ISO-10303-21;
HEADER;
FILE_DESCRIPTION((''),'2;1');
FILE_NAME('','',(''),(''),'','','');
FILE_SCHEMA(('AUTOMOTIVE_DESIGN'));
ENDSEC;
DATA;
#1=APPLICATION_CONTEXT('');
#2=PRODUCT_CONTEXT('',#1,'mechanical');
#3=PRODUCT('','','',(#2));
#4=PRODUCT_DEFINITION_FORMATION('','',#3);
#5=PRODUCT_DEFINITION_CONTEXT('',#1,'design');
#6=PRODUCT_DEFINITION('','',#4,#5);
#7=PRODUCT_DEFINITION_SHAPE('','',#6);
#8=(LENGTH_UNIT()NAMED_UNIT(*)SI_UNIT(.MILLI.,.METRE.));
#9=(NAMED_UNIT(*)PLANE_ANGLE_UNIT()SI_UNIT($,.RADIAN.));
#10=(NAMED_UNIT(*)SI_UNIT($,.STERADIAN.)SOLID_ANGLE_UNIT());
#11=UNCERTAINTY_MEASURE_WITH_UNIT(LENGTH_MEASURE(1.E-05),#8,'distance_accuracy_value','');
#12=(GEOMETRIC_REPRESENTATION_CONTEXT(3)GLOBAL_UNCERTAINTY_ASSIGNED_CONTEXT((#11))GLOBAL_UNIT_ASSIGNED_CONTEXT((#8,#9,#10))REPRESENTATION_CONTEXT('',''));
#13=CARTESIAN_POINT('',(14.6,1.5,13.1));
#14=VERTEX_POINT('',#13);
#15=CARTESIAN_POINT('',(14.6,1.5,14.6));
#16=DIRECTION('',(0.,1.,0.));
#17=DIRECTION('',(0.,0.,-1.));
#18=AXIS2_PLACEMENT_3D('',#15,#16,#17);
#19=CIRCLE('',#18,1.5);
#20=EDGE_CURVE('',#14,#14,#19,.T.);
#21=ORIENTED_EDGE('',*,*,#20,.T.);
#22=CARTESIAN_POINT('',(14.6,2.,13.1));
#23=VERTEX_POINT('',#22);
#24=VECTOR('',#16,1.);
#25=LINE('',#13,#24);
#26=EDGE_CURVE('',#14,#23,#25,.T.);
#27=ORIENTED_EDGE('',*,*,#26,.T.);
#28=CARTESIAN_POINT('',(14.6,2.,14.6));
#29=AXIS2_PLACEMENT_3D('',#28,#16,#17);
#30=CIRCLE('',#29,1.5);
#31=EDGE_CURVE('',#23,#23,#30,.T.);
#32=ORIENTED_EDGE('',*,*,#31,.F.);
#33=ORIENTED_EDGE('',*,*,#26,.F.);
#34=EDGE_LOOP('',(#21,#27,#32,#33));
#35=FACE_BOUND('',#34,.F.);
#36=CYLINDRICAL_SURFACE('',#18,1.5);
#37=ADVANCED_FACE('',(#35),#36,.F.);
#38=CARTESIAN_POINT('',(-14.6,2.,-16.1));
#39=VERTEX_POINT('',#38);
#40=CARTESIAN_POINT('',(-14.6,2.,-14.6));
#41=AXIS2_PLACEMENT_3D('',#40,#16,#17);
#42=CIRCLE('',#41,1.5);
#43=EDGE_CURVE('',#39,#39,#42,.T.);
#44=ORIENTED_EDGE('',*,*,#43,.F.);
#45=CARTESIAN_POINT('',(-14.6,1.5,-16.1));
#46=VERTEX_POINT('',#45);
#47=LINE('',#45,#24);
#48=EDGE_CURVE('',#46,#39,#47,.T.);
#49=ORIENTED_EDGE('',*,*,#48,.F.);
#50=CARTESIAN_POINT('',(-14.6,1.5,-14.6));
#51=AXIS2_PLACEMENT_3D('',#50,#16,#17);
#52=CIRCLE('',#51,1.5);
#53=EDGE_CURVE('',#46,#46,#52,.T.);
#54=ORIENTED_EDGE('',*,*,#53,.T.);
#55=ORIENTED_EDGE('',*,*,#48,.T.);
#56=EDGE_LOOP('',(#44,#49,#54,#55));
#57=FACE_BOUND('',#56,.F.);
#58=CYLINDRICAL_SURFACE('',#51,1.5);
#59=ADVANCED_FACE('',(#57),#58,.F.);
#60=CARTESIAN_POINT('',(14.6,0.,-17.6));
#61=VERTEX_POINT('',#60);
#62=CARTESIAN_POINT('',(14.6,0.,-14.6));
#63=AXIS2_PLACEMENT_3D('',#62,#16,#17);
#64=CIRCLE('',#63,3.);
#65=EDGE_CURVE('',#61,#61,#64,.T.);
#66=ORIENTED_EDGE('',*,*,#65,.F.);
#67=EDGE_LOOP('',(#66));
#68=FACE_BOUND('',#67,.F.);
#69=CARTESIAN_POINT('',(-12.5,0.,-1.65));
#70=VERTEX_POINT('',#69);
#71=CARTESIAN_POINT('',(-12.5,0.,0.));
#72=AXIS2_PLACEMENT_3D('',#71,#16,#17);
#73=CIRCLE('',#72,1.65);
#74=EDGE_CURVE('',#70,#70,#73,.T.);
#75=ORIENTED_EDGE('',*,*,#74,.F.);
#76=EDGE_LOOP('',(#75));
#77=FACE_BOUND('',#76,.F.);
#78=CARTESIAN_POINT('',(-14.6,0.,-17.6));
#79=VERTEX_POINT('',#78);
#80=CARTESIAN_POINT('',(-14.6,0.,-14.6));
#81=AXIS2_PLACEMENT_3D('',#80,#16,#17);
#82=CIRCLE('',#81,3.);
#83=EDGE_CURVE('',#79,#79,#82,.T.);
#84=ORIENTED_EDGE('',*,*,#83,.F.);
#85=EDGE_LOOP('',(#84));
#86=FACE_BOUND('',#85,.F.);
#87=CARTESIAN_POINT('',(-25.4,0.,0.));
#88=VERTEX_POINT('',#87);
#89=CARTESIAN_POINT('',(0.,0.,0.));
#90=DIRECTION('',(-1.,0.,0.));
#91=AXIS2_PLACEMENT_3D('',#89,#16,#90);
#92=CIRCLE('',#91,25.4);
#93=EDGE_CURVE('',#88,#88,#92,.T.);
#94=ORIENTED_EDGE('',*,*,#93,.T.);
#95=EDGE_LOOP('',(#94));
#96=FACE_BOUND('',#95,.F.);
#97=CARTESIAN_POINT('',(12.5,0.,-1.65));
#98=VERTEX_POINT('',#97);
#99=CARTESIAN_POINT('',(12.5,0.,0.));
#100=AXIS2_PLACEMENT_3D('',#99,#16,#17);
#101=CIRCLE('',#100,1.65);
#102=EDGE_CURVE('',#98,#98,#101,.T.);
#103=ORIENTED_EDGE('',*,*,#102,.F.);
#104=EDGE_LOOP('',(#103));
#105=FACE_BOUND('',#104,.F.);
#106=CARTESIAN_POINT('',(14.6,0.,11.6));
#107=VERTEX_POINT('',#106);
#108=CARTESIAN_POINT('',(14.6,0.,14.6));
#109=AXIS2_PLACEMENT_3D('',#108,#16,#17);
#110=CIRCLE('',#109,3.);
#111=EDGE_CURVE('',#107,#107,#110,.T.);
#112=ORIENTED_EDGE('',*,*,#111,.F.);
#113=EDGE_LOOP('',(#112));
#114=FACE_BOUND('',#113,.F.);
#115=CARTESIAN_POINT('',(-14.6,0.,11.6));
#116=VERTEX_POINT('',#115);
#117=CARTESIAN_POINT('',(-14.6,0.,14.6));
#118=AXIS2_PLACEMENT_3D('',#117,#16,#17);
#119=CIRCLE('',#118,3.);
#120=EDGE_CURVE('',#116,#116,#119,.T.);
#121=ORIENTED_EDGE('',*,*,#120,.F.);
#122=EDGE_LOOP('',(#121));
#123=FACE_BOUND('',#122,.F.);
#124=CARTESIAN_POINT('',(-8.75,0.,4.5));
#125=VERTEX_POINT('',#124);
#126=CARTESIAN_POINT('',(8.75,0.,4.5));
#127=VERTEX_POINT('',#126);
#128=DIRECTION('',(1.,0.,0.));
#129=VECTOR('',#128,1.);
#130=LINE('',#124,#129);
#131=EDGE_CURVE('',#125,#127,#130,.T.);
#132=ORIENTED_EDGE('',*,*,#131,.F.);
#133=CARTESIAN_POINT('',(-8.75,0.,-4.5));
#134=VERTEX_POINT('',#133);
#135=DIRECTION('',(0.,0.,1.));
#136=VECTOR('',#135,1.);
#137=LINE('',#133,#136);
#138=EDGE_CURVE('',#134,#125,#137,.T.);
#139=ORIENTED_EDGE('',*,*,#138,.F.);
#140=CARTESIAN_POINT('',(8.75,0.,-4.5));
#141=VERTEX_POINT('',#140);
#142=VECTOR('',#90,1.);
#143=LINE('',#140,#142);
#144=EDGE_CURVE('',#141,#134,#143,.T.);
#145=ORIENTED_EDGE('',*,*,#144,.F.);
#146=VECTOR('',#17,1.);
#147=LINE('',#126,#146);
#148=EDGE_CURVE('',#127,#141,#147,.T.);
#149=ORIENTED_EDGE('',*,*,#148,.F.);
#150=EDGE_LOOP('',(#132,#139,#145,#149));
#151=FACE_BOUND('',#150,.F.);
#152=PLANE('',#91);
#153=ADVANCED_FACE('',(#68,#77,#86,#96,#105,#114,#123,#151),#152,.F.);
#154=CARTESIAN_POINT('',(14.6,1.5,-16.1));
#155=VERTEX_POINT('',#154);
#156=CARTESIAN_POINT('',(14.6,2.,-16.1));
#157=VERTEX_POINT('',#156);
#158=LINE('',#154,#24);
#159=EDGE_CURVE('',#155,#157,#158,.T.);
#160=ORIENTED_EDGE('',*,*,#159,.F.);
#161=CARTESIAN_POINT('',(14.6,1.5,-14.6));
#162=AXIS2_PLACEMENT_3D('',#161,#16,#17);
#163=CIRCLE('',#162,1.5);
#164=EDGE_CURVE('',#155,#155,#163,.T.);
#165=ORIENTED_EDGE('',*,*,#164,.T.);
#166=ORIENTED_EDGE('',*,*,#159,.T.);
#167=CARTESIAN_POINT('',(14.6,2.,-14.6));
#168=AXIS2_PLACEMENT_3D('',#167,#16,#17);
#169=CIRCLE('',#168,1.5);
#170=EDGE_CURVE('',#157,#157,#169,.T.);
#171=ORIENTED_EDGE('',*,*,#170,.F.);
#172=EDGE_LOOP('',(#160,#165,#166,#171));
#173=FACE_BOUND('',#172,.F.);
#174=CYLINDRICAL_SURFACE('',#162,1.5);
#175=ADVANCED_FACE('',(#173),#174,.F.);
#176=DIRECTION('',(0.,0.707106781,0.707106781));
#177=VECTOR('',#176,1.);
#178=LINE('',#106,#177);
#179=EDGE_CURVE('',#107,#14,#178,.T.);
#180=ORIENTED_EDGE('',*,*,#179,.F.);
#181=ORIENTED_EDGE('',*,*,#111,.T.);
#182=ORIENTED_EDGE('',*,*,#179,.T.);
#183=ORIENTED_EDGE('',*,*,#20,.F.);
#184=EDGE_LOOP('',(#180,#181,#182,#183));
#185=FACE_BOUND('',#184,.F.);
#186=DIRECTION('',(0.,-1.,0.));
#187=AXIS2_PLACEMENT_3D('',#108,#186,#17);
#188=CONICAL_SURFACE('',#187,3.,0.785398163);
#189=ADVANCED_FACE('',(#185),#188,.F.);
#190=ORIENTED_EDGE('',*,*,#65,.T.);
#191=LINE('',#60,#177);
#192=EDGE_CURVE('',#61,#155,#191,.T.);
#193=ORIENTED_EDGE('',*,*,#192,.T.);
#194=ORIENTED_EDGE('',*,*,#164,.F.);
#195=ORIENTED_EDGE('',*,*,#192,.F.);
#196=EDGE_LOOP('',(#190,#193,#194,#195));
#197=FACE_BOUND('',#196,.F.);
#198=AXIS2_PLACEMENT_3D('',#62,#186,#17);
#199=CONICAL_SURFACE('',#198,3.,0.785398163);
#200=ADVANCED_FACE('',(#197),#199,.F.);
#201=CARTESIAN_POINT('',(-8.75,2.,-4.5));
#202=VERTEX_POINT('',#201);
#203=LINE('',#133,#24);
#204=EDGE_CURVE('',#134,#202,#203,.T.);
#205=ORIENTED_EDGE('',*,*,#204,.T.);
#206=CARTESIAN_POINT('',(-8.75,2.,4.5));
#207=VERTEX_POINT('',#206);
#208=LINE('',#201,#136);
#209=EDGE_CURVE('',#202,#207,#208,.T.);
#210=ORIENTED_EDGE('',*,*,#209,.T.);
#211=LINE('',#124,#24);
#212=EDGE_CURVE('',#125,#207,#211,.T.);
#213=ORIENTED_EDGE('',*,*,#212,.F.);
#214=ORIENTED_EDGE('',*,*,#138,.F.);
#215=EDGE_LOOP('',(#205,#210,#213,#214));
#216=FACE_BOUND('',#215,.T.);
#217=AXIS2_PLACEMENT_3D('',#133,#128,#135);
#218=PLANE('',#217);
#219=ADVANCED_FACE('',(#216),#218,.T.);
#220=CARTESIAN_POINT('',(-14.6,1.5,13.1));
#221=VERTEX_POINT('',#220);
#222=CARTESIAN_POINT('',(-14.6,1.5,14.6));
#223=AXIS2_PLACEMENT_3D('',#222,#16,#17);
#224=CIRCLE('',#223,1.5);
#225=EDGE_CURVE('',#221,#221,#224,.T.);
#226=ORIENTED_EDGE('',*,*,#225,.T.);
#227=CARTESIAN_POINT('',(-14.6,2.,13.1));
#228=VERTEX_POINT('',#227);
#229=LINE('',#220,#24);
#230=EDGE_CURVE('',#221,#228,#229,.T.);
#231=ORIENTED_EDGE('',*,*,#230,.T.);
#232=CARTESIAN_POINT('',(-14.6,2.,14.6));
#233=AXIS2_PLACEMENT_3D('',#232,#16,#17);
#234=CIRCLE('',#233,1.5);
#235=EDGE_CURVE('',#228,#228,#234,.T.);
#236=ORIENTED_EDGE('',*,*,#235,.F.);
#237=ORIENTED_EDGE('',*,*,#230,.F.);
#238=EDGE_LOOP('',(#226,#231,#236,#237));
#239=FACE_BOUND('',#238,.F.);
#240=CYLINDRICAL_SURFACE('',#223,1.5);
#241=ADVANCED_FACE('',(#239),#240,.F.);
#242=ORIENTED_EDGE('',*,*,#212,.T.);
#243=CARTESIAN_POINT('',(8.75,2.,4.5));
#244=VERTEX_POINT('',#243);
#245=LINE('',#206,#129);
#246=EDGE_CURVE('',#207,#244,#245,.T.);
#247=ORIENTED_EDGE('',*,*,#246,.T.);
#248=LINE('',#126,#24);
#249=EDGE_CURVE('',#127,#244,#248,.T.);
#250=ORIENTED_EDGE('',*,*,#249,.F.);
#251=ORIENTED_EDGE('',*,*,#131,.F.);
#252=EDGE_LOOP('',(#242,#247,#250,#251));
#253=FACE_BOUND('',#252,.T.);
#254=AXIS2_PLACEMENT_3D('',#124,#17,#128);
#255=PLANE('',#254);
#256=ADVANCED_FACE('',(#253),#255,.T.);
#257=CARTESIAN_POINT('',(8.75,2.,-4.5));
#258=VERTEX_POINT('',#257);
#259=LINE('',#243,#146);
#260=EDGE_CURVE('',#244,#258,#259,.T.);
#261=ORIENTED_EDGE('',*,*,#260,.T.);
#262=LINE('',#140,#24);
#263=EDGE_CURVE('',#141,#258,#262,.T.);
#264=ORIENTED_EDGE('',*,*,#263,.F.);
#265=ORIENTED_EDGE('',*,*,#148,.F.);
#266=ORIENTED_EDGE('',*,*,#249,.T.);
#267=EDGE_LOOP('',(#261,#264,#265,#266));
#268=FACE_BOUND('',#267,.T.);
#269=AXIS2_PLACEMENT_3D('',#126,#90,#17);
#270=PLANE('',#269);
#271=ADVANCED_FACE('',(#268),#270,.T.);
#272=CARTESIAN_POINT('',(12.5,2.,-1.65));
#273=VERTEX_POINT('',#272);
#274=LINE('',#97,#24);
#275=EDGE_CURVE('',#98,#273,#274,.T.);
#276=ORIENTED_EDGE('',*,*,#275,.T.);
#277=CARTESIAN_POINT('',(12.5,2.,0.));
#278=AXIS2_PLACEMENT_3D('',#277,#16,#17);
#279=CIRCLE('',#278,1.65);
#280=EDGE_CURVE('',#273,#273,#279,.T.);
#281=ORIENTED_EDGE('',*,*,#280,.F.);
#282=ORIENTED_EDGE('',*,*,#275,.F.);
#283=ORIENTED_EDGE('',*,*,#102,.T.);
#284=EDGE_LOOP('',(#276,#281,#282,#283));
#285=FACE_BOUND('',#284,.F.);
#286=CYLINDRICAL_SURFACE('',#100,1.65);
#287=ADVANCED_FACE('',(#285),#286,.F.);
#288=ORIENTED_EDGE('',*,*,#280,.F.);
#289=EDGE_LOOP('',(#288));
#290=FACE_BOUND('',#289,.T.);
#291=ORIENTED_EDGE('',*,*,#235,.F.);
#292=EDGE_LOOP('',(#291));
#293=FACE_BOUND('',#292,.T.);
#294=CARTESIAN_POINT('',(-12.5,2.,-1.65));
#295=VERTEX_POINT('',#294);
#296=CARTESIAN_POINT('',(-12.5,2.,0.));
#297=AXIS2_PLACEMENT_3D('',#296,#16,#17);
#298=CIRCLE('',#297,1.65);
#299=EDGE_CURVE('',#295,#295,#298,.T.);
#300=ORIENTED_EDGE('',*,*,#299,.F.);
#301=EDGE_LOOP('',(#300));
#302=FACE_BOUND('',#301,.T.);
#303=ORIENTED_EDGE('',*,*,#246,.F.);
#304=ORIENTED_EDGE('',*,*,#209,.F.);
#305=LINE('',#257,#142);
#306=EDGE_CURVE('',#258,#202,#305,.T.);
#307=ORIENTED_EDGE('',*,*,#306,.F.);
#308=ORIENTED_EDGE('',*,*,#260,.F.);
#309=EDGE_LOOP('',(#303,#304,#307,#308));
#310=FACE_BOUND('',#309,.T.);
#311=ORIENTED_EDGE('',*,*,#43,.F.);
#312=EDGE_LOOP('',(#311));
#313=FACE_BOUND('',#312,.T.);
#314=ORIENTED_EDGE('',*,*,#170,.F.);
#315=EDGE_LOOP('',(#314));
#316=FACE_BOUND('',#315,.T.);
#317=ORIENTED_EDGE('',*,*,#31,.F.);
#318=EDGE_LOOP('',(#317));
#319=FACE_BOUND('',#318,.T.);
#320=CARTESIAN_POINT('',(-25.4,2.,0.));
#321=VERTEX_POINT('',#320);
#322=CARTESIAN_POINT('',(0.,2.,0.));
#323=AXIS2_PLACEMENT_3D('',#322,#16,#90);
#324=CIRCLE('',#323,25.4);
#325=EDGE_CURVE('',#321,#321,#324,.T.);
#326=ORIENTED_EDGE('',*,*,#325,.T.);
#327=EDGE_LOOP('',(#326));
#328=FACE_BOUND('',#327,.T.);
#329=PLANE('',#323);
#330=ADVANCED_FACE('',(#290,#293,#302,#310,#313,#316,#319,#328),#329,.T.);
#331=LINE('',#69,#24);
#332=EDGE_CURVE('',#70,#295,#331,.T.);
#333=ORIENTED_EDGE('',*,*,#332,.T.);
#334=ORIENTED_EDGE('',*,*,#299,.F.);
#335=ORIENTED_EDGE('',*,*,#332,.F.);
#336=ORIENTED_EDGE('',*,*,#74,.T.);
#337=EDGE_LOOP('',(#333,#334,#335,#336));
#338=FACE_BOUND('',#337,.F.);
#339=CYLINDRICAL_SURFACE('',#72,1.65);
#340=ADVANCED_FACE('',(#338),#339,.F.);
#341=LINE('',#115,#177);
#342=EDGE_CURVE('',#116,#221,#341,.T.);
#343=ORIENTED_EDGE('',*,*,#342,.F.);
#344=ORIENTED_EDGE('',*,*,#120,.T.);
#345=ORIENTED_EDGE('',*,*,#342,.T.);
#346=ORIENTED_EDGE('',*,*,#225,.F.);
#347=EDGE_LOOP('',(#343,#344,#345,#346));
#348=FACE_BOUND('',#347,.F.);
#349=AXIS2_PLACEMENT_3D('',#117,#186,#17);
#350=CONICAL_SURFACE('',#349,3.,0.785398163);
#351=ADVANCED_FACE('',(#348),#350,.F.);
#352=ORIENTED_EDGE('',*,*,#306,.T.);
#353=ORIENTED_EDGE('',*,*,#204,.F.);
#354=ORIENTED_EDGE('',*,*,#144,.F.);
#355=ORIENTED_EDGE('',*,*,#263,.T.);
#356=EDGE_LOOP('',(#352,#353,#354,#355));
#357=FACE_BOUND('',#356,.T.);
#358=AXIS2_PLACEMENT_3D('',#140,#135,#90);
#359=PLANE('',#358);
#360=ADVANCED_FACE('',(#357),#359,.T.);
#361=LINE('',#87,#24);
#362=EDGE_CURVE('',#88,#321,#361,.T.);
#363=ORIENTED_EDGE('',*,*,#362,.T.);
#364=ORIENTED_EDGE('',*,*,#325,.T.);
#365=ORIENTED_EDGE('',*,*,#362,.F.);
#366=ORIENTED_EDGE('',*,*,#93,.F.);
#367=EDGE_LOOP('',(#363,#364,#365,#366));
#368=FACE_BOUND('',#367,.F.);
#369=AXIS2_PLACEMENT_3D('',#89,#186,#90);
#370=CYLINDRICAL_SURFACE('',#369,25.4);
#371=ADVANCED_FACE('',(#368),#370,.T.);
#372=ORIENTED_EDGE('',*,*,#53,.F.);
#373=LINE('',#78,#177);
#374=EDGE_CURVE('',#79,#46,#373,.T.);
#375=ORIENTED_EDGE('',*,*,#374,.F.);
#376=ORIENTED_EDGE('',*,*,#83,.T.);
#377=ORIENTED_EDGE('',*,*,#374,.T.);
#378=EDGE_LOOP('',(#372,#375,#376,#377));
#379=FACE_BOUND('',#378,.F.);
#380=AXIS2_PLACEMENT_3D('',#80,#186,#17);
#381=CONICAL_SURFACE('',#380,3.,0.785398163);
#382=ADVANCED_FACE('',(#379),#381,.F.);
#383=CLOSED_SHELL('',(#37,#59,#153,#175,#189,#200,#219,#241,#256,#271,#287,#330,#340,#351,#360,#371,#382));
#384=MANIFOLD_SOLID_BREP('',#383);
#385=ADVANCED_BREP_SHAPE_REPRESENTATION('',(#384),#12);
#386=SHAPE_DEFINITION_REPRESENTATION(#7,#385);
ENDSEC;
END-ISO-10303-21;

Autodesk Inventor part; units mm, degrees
ref_plane "YZ Plane" through (0, 0, 0) normal (1, 0, 0) x (0, 1, 0)
ref_plane "XZ Plane" through (0, 0, 0) normal (0, 1, 0) x (-1, 0, 0)
ref_plane "XY Plane" through (0, 0, 0) normal (0, 0, 1) x (1, 0, 0)
sketch "Skizze1" plane through (0, 0, 0) normal (0, 1, 0) x (-1, 0, 0)
  circle A0 centre (0, 0) radius 25.4
  dimension "d0" = 50.8
extrude "Extrusion1" add sketch "Skizze1" along normal blind 2
sketch "Skizze2" plane through (0, 0, 0) normal (0, -1, 0) x (1, 0, 0)
  circle A0 centre (0, 0) radius 25.4 projected
  line L0 (-14.6, 14.6) -> (14.6, 14.6) construction
  line L1 (14.6, 14.6) -> (14.6, -14.6) construction
  line L2 (14.6, -14.6) -> (-14.6, -14.6) construction
  line L3 (-14.6, -14.6) -> (-14.6, 14.6) construction
  line L4 (0, 0) -> (14.6, 0) construction
  line L5 (0, 0) -> (0, 14.6) construction
  dimension "d3" = 29.2
  dimension "d4" = 29.2
hole "Bohrung1" at (-14.6, 0, 14.6) at (14.6, 0, 14.6) at (14.6, 0, -14.6) at (-14.6, 0, -14.6) direction (0, 1, 0) diameter 3 end through all countersink diameter 6 countersink angle 90
sketch "Skizze7" plane through (0, 0, 0) normal (0, -1, 0) x (1, 0, 0)
  circle A0 centre (0, 0) radius 25.4 projected
  line L0 (-8.75, 4.5) -> (8.75, 4.5)
  line L1 (8.75, 4.5) -> (8.75, -4.5)
  line L2 (8.75, -4.5) -> (-8.75, -4.5)
  line L3 (-8.75, -4.5) -> (-8.75, 4.5)
  line L4 (0, 0) -> (8.75, 0) construction
  line L5 (0, 0) -> (0, 4.5) construction
  line L6 (0, 0) -> (12.5, 0) construction
  line L7 (0, 0) -> (-12.5, 0) construction
  dimension "d25" = 17.5
  dimension "d26" = 9
  dimension "d28" = 12.5
  dimension "d29" = 12.5
extrude "Extrusion5" cut sketch "Skizze7" against normal blind 2 contours L0 L1 L2 L3
sketch "Skizze8" plane through (0, 0, 0) normal (0, -1, 0) x (1, 0, 0)
  circle A0 centre (0, 0) radius 25.4 projected
  line L0 (0, 0) -> (12.5, 0) construction
  line L1 (0, 0) -> (-12.5, 0) construction
  dimension "d32" = 12.5
  dimension "d33" = 12.5
hole "Bohrung2" at (-12.5, 0, 0) at (12.5, 0, 0) direction (0, 1, 0) diameter 3.3 end through all
properties part number "anschluss_daten"
